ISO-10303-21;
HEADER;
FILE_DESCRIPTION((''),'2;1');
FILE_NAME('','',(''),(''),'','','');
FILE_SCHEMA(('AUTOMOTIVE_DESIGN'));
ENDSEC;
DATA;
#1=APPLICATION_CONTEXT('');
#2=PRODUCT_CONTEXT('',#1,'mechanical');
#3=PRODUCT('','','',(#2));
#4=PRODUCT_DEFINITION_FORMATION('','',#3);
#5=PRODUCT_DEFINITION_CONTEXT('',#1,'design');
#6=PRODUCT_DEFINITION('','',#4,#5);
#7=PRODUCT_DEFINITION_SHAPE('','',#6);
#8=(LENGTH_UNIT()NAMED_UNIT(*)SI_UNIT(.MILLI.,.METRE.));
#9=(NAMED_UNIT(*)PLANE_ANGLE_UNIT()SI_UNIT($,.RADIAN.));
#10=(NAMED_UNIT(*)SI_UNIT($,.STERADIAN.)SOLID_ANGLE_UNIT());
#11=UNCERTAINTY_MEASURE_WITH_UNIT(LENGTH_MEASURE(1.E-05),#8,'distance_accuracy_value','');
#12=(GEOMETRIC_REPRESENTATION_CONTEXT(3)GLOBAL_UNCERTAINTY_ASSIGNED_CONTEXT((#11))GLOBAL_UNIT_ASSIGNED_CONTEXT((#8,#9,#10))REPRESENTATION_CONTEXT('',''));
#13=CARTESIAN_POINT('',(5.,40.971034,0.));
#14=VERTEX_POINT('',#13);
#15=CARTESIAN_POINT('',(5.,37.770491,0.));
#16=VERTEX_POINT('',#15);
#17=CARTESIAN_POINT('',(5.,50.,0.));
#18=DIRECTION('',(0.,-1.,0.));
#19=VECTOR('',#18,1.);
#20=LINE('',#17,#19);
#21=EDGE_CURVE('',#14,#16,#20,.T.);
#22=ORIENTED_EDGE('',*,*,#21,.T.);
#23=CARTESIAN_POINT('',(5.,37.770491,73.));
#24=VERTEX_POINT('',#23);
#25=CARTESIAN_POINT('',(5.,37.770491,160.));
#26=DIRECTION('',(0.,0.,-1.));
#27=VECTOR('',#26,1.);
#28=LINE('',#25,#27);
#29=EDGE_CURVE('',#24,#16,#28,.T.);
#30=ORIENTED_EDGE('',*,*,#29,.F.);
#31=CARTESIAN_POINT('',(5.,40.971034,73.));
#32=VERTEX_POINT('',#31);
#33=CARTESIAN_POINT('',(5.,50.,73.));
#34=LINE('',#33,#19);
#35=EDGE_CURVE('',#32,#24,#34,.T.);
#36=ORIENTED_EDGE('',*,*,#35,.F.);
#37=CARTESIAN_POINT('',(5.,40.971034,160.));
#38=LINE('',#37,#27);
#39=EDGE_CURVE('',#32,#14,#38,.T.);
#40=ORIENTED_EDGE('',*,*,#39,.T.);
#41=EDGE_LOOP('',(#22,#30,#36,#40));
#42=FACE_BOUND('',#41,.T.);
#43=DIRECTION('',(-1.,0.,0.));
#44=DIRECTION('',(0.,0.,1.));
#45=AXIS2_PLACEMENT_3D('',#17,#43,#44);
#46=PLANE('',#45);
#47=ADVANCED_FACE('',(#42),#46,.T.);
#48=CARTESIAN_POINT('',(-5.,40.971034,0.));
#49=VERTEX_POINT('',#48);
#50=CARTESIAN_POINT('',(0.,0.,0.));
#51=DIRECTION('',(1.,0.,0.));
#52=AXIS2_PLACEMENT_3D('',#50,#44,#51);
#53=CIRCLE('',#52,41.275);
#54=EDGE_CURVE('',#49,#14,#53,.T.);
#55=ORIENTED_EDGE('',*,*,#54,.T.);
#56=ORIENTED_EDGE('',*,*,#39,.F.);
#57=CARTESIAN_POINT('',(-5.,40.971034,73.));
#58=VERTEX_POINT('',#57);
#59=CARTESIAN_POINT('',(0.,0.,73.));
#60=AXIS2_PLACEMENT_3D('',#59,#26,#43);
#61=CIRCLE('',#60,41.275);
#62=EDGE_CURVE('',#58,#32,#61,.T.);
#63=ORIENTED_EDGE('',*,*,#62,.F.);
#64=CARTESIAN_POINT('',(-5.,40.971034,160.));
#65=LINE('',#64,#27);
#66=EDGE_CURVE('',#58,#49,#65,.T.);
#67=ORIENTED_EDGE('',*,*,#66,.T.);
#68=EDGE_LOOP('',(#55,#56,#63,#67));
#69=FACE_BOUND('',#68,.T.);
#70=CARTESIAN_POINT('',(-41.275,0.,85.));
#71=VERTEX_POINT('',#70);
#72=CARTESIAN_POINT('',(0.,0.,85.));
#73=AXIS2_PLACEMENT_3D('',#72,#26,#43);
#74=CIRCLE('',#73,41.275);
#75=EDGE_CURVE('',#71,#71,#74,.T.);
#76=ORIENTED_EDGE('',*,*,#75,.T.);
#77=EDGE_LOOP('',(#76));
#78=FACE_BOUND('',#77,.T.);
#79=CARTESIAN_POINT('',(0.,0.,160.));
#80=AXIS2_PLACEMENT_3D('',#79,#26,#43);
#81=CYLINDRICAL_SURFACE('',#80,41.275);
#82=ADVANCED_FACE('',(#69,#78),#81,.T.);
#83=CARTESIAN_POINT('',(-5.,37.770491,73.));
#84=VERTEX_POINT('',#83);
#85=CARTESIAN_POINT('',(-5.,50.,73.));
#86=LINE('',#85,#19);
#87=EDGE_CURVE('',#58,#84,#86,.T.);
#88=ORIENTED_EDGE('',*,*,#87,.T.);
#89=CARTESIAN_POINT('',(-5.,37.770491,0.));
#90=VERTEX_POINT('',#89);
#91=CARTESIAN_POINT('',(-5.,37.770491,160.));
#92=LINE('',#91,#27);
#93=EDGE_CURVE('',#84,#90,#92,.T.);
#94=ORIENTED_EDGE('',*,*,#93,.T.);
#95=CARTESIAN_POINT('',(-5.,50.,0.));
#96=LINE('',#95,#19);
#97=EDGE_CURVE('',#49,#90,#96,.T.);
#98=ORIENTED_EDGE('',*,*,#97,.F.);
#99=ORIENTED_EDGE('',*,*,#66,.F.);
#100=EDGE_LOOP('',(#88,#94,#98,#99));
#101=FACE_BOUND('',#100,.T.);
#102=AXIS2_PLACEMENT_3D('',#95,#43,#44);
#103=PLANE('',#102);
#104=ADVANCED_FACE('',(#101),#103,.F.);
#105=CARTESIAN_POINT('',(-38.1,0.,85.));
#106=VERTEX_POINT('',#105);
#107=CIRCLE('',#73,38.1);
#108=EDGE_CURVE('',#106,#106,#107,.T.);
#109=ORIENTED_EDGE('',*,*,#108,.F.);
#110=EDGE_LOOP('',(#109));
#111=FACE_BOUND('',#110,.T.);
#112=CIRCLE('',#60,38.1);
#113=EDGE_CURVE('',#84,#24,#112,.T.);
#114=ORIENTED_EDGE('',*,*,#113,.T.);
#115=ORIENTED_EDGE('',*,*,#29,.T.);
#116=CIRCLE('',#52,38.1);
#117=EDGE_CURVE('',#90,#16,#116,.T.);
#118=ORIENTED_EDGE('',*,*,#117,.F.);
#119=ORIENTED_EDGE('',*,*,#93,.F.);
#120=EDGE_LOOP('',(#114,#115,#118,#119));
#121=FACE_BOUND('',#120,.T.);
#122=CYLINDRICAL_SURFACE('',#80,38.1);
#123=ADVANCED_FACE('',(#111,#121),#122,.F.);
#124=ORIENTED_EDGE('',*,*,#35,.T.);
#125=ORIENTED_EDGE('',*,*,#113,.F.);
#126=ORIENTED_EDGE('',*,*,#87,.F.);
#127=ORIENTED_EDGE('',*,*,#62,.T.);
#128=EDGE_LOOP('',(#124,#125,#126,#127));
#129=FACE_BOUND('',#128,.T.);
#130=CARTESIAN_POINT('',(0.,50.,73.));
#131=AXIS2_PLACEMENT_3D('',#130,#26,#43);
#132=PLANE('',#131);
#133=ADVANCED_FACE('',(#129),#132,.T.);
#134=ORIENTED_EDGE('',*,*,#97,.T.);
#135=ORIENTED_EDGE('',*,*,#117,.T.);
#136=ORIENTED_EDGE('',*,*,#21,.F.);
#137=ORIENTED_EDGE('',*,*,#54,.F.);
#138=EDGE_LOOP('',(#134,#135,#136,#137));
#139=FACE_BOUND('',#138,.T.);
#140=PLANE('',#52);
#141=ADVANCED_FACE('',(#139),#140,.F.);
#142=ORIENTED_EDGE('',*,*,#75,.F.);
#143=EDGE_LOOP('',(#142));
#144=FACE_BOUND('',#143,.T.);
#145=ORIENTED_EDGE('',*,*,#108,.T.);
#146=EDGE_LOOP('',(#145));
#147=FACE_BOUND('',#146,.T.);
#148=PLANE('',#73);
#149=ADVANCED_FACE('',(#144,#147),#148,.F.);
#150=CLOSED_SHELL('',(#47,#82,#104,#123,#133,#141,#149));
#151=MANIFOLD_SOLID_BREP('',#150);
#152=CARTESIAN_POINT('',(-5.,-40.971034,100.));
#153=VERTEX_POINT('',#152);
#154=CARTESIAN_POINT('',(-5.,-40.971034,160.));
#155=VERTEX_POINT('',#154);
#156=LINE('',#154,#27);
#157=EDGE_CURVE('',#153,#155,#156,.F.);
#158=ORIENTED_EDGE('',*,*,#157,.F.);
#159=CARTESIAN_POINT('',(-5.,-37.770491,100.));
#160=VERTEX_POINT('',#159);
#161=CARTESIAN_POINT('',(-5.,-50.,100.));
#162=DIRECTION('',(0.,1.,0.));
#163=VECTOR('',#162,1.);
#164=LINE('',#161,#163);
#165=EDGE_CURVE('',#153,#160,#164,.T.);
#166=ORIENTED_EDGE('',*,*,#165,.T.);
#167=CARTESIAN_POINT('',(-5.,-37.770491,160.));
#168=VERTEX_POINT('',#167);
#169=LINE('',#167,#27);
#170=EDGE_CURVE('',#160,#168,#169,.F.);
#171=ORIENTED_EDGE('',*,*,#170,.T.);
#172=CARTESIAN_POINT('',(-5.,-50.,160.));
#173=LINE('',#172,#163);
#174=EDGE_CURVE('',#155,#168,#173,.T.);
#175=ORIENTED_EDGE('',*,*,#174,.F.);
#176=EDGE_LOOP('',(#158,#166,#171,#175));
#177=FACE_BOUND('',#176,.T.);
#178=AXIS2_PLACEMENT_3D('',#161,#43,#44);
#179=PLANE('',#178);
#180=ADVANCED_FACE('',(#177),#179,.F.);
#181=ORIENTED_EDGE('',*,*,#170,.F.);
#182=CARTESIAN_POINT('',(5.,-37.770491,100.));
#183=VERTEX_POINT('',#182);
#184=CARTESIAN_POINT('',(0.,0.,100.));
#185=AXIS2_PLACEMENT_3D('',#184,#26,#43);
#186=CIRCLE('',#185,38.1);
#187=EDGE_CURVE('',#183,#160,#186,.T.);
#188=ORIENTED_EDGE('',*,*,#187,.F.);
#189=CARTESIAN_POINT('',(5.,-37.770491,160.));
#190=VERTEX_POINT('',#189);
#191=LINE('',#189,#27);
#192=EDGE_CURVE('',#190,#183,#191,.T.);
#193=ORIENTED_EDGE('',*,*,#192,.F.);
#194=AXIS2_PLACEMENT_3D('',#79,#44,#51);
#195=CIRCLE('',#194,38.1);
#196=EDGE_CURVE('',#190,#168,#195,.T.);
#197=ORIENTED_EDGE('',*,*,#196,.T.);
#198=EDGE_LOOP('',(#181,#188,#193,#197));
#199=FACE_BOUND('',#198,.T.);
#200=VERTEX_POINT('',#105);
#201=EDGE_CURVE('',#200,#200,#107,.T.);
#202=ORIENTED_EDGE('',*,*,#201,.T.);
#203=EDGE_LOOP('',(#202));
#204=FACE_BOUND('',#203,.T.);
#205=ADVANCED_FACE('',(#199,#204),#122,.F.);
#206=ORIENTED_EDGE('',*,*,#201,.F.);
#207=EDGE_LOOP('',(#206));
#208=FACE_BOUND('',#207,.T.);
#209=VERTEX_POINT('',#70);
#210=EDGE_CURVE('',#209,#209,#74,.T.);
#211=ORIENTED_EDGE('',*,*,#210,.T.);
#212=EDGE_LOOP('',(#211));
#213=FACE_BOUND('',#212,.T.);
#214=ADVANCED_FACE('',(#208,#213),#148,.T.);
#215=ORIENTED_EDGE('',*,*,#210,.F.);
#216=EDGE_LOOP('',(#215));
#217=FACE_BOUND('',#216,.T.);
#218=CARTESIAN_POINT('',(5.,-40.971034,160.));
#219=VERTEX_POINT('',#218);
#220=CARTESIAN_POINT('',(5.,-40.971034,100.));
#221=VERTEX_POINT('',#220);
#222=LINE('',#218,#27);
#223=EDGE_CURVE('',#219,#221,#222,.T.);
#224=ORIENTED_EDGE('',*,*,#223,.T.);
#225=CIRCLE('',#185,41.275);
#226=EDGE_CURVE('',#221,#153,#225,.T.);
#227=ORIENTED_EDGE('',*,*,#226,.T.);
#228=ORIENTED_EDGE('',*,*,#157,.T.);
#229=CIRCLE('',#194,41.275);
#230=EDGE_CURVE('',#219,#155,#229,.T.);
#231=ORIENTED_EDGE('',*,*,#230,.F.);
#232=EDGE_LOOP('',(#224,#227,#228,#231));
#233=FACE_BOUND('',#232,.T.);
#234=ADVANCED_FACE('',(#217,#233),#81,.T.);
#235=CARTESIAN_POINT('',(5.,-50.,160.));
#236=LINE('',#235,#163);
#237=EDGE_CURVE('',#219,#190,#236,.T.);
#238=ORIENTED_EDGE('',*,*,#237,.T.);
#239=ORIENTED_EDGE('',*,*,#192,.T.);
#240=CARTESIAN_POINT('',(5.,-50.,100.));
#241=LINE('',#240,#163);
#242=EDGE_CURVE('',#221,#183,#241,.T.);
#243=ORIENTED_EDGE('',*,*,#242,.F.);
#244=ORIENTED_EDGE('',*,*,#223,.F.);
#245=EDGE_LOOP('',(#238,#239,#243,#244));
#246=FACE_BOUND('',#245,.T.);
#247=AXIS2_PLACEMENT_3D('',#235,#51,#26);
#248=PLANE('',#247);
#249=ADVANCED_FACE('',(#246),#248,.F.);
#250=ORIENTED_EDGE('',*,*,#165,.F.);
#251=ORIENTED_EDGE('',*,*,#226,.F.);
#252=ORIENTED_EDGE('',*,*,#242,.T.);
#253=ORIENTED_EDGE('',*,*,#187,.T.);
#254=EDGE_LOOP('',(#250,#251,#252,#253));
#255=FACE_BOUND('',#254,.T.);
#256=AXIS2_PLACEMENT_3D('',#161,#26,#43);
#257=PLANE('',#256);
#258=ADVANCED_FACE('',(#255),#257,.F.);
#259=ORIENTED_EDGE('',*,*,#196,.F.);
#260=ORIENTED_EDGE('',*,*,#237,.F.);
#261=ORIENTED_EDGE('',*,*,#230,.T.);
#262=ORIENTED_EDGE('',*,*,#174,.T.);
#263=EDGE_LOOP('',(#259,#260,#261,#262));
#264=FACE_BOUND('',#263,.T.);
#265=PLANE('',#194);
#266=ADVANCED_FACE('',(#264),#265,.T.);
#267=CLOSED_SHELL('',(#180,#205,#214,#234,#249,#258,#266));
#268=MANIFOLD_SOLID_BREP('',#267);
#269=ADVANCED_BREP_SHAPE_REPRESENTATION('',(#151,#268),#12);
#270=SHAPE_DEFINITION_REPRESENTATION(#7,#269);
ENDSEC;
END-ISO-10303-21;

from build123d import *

# Parameters (mm, degrees)
SKETCH1_R           = 41.275
SKETCH1_R_2         = 38.1
BOSS_EXTRUDE1_DEPTH = 160
SKETCH2_W           = 10
SKETCH2_H           = 60
CUT_EXTRUDE1_DEPTH  = 50
SKETCH3_W           = 10
SKETCH3_H           = 73
CUT_EXTRUDE2_DEPTH  = 50


with BuildPart() as part:
    # Sketch1 → Boss-Extrude1 (new body)
    with BuildSketch(Plane.XY):
        Circle(SKETCH1_R)
        Circle(SKETCH1_R_2, mode=Mode.SUBTRACT)
    extrude(amount=BOSS_EXTRUDE1_DEPTH)

    # Sketch2 → Cut-Extrude1 (cut)
    with BuildSketch(Plane(origin=(0, 0, 0), x_dir=(1, 0, 0), z_dir=(0, 1, 0))):
        with Locations((0, -130)):
            Rectangle(SKETCH2_W, SKETCH2_H)
    extrude(amount=-CUT_EXTRUDE1_DEPTH, mode=Mode.SUBTRACT)

    # Sketch3 → Cut-Extrude2 (cut)
    with BuildSketch(Plane(origin=(0, 0, 0), x_dir=(1, 0, 0), z_dir=(0, 1, 0))):
        with Locations((0, -36.5)):
            Rectangle(SKETCH3_W, SKETCH3_H)
    extrude(amount=CUT_EXTRUDE2_DEPTH, mode=Mode.SUBTRACT)


with BuildPart() as body_2:
    # Split1: the piece on the far side of the plane
    add(part.part)
    split(bisect_by=Plane(origin=(0, 0, 85), x_dir=(-1, 0, 0), z_dir=(0, 0, -1)), keep=Keep.BOTTOM)


with BuildPart() as part_1:
    add(part.part)

    # Split1
    split(bisect_by=Plane(origin=(0, 0, 85), x_dir=(-1, 0, 0), z_dir=(0, 0, -1)), keep=Keep.TOP)


solid = Compound([body_2.part, part_1.part])
